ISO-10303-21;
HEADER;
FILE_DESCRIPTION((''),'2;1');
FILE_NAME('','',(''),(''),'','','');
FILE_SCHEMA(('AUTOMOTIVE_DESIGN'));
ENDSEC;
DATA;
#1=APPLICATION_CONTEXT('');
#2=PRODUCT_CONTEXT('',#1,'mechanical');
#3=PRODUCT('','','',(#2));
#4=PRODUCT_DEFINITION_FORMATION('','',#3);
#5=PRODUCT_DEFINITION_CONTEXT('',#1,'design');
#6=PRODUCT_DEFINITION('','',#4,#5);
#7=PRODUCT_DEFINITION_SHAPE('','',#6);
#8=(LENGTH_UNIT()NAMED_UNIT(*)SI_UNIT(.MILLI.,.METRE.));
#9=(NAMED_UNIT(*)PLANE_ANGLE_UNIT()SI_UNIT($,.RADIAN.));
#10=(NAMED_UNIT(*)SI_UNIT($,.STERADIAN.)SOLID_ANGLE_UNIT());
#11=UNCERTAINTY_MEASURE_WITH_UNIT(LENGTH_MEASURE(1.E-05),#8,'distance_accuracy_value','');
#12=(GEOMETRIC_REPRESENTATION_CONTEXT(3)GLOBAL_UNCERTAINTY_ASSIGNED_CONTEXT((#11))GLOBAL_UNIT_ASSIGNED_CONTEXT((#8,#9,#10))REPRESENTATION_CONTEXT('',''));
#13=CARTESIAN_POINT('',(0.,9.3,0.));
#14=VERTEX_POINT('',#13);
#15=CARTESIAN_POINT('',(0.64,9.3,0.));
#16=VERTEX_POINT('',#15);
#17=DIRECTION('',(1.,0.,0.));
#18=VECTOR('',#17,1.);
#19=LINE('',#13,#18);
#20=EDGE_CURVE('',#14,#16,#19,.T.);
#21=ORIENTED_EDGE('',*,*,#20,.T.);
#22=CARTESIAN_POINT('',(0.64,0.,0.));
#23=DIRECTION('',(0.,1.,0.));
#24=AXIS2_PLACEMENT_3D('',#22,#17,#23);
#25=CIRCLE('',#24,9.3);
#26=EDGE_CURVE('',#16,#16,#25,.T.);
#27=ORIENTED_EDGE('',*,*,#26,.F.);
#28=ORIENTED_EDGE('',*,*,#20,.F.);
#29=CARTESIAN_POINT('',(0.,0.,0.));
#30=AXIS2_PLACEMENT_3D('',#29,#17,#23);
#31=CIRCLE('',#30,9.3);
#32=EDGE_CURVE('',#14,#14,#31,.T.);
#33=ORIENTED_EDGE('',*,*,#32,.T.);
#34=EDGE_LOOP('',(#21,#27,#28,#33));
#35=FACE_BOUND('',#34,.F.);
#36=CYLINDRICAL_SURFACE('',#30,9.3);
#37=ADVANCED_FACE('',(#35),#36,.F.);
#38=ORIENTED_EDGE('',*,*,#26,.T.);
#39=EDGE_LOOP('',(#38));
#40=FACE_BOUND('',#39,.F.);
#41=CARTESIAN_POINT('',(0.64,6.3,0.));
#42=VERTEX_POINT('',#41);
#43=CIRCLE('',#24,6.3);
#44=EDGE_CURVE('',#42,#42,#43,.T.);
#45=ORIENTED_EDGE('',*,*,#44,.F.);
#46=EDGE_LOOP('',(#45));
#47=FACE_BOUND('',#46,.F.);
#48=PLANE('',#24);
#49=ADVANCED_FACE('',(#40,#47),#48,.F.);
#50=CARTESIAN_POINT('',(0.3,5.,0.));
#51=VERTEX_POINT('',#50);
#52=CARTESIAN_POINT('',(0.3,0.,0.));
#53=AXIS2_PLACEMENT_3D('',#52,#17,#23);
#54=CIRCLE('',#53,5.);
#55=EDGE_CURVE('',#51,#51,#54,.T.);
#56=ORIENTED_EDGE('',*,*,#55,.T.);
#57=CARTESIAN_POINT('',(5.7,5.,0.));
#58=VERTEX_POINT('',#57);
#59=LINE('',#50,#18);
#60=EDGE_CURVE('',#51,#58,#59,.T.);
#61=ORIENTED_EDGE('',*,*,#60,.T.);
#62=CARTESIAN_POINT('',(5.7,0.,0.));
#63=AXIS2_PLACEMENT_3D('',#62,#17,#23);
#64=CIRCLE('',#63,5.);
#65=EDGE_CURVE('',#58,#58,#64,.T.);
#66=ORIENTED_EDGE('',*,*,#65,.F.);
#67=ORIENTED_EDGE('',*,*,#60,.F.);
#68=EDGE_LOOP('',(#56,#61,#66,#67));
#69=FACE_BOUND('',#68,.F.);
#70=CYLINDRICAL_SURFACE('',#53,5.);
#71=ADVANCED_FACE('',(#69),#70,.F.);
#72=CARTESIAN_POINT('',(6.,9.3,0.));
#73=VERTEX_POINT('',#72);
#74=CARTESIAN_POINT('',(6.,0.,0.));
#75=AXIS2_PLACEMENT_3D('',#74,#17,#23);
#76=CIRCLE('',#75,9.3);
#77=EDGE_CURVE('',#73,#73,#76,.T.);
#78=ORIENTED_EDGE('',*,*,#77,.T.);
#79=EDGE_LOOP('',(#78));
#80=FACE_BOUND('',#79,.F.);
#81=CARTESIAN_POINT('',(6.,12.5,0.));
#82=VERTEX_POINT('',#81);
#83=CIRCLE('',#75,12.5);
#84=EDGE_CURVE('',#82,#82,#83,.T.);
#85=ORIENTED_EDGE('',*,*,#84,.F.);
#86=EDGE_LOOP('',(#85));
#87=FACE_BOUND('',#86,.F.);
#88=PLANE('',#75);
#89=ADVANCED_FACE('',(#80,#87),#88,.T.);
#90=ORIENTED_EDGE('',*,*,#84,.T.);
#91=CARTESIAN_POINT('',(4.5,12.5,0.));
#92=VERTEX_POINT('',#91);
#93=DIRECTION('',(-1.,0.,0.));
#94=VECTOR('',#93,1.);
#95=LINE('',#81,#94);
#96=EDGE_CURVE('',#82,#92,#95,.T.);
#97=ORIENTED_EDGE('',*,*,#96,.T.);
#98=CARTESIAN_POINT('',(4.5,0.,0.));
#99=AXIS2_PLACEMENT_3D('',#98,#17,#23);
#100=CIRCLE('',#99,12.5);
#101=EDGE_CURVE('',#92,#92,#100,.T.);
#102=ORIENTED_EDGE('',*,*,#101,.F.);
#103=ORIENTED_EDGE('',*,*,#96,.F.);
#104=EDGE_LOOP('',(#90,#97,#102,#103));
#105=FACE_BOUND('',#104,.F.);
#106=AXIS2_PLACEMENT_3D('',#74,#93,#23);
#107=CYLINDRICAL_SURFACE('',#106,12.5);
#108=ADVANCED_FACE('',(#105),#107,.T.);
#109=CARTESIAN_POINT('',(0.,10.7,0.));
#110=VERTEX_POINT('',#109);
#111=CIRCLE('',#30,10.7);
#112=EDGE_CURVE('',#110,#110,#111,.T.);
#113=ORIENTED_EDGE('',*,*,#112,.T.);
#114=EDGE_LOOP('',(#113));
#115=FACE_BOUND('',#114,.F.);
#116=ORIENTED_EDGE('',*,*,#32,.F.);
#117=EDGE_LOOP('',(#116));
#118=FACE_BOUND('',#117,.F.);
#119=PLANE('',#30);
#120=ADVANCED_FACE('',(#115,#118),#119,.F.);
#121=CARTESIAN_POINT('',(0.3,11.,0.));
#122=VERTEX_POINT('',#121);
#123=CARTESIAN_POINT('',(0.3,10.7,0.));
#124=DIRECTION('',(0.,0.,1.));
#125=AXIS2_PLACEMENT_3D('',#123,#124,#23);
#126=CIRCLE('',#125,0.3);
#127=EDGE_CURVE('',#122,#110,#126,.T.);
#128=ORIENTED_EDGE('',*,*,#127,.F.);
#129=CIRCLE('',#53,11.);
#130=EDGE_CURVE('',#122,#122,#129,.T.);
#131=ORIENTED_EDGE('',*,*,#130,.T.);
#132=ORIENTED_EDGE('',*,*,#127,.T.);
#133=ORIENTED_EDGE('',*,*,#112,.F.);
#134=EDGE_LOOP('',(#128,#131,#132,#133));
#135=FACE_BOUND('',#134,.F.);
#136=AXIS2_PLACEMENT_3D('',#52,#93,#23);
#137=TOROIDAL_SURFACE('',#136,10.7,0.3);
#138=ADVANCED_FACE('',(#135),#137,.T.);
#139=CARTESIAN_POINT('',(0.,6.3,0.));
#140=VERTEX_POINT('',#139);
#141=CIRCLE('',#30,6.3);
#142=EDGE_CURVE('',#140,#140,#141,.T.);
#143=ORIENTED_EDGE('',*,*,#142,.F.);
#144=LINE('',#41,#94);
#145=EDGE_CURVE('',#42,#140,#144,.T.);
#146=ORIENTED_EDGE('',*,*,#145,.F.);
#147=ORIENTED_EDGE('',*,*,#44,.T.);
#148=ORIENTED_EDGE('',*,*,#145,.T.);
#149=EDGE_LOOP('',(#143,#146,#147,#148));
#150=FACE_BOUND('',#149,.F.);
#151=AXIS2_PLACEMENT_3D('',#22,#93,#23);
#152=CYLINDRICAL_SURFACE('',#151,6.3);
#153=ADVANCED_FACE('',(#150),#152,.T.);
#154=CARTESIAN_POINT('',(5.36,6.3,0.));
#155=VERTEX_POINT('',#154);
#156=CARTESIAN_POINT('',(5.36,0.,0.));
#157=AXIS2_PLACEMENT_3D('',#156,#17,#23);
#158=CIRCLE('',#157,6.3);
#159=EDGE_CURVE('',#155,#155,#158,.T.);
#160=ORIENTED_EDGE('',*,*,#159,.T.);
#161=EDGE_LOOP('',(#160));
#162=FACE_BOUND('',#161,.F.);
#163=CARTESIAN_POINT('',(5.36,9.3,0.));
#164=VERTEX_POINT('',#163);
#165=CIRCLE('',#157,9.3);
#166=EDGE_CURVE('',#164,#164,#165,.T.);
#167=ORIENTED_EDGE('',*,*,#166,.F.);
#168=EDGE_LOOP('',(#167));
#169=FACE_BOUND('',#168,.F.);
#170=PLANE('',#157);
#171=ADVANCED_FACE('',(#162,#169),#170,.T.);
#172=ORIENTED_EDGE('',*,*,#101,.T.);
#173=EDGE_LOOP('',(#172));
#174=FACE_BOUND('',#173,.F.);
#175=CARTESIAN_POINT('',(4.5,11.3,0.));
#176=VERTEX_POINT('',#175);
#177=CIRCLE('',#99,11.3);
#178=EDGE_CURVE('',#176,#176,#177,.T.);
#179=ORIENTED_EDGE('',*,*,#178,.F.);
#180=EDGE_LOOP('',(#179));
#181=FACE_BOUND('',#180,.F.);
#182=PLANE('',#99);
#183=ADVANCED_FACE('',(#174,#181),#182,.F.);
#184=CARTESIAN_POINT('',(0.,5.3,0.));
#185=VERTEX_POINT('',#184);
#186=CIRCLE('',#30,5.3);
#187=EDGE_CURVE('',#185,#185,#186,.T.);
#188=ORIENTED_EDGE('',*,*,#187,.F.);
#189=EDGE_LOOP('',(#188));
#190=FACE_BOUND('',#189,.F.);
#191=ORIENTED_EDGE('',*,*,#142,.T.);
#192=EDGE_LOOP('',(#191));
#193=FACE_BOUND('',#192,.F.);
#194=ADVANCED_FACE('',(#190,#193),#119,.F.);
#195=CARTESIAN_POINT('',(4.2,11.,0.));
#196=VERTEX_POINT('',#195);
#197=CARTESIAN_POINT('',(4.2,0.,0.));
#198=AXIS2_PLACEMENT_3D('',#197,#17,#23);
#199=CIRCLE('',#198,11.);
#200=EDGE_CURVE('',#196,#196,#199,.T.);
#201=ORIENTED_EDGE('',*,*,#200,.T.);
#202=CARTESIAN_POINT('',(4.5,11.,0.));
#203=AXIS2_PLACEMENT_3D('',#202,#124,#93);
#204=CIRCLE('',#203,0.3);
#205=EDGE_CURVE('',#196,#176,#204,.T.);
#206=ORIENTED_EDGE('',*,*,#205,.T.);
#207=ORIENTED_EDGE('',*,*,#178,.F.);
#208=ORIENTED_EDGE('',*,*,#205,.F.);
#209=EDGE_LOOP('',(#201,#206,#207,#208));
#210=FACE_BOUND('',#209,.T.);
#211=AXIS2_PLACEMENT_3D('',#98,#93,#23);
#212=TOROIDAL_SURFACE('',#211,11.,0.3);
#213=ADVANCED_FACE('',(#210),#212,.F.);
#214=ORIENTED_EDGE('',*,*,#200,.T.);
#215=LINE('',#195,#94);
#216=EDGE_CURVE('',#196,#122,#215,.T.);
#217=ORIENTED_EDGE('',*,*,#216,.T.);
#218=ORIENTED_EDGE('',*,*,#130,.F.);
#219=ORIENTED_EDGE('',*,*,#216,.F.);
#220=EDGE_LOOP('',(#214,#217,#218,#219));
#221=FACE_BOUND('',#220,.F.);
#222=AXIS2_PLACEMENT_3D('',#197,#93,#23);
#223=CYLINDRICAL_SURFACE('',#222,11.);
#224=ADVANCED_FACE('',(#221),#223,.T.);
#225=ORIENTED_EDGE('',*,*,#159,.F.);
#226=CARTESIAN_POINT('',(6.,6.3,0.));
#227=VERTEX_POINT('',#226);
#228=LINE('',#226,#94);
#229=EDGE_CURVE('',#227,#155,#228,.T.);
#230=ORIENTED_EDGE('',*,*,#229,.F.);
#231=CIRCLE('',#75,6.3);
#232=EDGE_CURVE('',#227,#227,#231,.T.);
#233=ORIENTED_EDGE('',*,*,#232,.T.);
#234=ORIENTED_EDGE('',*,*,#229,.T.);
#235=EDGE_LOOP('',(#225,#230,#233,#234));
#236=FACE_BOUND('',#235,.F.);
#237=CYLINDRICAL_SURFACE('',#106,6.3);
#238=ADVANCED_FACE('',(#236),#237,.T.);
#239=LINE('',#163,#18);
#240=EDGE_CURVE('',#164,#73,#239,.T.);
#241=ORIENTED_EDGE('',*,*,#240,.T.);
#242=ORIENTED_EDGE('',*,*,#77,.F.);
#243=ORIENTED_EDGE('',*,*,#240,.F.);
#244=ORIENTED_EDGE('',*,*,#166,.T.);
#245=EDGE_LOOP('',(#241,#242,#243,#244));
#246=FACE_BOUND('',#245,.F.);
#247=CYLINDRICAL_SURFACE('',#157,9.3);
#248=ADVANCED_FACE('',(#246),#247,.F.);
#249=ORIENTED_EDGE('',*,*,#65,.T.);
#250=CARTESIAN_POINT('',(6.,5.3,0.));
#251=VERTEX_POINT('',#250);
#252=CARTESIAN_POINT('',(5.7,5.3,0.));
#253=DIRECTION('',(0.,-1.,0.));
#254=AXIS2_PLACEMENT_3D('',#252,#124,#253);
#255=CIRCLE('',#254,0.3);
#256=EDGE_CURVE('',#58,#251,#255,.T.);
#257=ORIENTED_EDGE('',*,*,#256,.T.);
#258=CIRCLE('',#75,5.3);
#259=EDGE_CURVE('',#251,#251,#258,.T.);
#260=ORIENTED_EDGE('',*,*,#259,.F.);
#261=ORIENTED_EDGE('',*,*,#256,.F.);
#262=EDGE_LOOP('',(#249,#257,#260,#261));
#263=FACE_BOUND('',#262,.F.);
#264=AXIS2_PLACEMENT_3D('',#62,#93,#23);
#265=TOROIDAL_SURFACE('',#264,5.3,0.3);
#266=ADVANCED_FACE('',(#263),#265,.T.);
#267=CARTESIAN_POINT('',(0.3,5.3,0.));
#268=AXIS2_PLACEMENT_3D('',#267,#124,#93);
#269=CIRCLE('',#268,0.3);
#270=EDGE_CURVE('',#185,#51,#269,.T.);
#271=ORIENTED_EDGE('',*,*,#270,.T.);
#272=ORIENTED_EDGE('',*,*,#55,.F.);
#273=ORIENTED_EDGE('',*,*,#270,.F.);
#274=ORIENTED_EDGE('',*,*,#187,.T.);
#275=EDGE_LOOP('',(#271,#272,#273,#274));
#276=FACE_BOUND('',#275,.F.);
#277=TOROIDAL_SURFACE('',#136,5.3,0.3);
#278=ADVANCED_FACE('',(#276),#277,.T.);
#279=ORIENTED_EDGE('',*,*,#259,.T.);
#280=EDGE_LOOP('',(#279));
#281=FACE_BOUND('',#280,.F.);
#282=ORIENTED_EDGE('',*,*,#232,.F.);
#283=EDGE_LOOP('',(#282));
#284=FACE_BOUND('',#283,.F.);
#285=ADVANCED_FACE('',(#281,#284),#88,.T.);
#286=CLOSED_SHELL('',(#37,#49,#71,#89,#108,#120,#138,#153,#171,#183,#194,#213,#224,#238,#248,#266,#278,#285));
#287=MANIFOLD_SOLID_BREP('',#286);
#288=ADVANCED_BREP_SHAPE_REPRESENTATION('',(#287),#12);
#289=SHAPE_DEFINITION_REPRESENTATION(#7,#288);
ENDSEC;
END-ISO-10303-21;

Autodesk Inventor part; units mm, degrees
sketch "Sketch_1" plane through (0, 0, 0) normal (0, 0, 1) x (1, 0, 0)
  line L0 (22, 0) -> (-22, 0)
  arc A0 (0, 5.3) -> (0.3, 5) centre (0.3, 5.3) ccw
  line L1 (0.3, 5) -> (5.7, 5)
  arc A1 (5.7, 5) -> (6, 5.3) centre (5.7, 5.3) ccw
  line L2 (6, 5.3) -> (6, 6.3)
  line L3 (6, 6.3) -> (5.36, 6.3)
  line L4 (5.36, 6.3) -> (5.36, 9.3)
  line L5 (5.36, 9.3) -> (6, 9.3)
  line L6 (6, 9.3) -> (6, 12.5)
  line L7 (6, 12.5) -> (4.5, 12.5)
  line L8 (4.5, 12.5) -> (4.5, 11.3)
  arc A2 (4.2, 11) -> (4.5, 11.3) centre (4.5, 11) ccw
  line L9 (4.2, 11) -> (0.3, 11)
  arc A3 (0.3, 11) -> (0, 10.7) centre (0.3, 10.7) ccw
  line L10 (0, 10.7) -> (0, 9.3)
  line L11 (0, 9.3) -> (0.64, 9.3)
  line L12 (0.64, 9.3) -> (0.64, 6.3)
  line L13 (0.64, 6.3) -> (0, 6.3)
  line L14 (0, 6.3) -> (0, 5.3)
revolve "Revolution1" add sketch "Sketch_1" angle 360 about axis through (22, 0, 0) along (1, 0, 0)
ref_plane "to_housing_XY" through (0, 0, 0) normal (1, 0, 0) x (0, 0, -1)
ref_plane "to_housing_YZ" through (0, 0, 0) normal (0, 0, -1) x (0, 1, 0)
ref_plane "to_housing_ZX" through (0, 0, 0) normal (0, 1, 0) x (1, 0, 0)
properties part number "FL6900ZZ"
